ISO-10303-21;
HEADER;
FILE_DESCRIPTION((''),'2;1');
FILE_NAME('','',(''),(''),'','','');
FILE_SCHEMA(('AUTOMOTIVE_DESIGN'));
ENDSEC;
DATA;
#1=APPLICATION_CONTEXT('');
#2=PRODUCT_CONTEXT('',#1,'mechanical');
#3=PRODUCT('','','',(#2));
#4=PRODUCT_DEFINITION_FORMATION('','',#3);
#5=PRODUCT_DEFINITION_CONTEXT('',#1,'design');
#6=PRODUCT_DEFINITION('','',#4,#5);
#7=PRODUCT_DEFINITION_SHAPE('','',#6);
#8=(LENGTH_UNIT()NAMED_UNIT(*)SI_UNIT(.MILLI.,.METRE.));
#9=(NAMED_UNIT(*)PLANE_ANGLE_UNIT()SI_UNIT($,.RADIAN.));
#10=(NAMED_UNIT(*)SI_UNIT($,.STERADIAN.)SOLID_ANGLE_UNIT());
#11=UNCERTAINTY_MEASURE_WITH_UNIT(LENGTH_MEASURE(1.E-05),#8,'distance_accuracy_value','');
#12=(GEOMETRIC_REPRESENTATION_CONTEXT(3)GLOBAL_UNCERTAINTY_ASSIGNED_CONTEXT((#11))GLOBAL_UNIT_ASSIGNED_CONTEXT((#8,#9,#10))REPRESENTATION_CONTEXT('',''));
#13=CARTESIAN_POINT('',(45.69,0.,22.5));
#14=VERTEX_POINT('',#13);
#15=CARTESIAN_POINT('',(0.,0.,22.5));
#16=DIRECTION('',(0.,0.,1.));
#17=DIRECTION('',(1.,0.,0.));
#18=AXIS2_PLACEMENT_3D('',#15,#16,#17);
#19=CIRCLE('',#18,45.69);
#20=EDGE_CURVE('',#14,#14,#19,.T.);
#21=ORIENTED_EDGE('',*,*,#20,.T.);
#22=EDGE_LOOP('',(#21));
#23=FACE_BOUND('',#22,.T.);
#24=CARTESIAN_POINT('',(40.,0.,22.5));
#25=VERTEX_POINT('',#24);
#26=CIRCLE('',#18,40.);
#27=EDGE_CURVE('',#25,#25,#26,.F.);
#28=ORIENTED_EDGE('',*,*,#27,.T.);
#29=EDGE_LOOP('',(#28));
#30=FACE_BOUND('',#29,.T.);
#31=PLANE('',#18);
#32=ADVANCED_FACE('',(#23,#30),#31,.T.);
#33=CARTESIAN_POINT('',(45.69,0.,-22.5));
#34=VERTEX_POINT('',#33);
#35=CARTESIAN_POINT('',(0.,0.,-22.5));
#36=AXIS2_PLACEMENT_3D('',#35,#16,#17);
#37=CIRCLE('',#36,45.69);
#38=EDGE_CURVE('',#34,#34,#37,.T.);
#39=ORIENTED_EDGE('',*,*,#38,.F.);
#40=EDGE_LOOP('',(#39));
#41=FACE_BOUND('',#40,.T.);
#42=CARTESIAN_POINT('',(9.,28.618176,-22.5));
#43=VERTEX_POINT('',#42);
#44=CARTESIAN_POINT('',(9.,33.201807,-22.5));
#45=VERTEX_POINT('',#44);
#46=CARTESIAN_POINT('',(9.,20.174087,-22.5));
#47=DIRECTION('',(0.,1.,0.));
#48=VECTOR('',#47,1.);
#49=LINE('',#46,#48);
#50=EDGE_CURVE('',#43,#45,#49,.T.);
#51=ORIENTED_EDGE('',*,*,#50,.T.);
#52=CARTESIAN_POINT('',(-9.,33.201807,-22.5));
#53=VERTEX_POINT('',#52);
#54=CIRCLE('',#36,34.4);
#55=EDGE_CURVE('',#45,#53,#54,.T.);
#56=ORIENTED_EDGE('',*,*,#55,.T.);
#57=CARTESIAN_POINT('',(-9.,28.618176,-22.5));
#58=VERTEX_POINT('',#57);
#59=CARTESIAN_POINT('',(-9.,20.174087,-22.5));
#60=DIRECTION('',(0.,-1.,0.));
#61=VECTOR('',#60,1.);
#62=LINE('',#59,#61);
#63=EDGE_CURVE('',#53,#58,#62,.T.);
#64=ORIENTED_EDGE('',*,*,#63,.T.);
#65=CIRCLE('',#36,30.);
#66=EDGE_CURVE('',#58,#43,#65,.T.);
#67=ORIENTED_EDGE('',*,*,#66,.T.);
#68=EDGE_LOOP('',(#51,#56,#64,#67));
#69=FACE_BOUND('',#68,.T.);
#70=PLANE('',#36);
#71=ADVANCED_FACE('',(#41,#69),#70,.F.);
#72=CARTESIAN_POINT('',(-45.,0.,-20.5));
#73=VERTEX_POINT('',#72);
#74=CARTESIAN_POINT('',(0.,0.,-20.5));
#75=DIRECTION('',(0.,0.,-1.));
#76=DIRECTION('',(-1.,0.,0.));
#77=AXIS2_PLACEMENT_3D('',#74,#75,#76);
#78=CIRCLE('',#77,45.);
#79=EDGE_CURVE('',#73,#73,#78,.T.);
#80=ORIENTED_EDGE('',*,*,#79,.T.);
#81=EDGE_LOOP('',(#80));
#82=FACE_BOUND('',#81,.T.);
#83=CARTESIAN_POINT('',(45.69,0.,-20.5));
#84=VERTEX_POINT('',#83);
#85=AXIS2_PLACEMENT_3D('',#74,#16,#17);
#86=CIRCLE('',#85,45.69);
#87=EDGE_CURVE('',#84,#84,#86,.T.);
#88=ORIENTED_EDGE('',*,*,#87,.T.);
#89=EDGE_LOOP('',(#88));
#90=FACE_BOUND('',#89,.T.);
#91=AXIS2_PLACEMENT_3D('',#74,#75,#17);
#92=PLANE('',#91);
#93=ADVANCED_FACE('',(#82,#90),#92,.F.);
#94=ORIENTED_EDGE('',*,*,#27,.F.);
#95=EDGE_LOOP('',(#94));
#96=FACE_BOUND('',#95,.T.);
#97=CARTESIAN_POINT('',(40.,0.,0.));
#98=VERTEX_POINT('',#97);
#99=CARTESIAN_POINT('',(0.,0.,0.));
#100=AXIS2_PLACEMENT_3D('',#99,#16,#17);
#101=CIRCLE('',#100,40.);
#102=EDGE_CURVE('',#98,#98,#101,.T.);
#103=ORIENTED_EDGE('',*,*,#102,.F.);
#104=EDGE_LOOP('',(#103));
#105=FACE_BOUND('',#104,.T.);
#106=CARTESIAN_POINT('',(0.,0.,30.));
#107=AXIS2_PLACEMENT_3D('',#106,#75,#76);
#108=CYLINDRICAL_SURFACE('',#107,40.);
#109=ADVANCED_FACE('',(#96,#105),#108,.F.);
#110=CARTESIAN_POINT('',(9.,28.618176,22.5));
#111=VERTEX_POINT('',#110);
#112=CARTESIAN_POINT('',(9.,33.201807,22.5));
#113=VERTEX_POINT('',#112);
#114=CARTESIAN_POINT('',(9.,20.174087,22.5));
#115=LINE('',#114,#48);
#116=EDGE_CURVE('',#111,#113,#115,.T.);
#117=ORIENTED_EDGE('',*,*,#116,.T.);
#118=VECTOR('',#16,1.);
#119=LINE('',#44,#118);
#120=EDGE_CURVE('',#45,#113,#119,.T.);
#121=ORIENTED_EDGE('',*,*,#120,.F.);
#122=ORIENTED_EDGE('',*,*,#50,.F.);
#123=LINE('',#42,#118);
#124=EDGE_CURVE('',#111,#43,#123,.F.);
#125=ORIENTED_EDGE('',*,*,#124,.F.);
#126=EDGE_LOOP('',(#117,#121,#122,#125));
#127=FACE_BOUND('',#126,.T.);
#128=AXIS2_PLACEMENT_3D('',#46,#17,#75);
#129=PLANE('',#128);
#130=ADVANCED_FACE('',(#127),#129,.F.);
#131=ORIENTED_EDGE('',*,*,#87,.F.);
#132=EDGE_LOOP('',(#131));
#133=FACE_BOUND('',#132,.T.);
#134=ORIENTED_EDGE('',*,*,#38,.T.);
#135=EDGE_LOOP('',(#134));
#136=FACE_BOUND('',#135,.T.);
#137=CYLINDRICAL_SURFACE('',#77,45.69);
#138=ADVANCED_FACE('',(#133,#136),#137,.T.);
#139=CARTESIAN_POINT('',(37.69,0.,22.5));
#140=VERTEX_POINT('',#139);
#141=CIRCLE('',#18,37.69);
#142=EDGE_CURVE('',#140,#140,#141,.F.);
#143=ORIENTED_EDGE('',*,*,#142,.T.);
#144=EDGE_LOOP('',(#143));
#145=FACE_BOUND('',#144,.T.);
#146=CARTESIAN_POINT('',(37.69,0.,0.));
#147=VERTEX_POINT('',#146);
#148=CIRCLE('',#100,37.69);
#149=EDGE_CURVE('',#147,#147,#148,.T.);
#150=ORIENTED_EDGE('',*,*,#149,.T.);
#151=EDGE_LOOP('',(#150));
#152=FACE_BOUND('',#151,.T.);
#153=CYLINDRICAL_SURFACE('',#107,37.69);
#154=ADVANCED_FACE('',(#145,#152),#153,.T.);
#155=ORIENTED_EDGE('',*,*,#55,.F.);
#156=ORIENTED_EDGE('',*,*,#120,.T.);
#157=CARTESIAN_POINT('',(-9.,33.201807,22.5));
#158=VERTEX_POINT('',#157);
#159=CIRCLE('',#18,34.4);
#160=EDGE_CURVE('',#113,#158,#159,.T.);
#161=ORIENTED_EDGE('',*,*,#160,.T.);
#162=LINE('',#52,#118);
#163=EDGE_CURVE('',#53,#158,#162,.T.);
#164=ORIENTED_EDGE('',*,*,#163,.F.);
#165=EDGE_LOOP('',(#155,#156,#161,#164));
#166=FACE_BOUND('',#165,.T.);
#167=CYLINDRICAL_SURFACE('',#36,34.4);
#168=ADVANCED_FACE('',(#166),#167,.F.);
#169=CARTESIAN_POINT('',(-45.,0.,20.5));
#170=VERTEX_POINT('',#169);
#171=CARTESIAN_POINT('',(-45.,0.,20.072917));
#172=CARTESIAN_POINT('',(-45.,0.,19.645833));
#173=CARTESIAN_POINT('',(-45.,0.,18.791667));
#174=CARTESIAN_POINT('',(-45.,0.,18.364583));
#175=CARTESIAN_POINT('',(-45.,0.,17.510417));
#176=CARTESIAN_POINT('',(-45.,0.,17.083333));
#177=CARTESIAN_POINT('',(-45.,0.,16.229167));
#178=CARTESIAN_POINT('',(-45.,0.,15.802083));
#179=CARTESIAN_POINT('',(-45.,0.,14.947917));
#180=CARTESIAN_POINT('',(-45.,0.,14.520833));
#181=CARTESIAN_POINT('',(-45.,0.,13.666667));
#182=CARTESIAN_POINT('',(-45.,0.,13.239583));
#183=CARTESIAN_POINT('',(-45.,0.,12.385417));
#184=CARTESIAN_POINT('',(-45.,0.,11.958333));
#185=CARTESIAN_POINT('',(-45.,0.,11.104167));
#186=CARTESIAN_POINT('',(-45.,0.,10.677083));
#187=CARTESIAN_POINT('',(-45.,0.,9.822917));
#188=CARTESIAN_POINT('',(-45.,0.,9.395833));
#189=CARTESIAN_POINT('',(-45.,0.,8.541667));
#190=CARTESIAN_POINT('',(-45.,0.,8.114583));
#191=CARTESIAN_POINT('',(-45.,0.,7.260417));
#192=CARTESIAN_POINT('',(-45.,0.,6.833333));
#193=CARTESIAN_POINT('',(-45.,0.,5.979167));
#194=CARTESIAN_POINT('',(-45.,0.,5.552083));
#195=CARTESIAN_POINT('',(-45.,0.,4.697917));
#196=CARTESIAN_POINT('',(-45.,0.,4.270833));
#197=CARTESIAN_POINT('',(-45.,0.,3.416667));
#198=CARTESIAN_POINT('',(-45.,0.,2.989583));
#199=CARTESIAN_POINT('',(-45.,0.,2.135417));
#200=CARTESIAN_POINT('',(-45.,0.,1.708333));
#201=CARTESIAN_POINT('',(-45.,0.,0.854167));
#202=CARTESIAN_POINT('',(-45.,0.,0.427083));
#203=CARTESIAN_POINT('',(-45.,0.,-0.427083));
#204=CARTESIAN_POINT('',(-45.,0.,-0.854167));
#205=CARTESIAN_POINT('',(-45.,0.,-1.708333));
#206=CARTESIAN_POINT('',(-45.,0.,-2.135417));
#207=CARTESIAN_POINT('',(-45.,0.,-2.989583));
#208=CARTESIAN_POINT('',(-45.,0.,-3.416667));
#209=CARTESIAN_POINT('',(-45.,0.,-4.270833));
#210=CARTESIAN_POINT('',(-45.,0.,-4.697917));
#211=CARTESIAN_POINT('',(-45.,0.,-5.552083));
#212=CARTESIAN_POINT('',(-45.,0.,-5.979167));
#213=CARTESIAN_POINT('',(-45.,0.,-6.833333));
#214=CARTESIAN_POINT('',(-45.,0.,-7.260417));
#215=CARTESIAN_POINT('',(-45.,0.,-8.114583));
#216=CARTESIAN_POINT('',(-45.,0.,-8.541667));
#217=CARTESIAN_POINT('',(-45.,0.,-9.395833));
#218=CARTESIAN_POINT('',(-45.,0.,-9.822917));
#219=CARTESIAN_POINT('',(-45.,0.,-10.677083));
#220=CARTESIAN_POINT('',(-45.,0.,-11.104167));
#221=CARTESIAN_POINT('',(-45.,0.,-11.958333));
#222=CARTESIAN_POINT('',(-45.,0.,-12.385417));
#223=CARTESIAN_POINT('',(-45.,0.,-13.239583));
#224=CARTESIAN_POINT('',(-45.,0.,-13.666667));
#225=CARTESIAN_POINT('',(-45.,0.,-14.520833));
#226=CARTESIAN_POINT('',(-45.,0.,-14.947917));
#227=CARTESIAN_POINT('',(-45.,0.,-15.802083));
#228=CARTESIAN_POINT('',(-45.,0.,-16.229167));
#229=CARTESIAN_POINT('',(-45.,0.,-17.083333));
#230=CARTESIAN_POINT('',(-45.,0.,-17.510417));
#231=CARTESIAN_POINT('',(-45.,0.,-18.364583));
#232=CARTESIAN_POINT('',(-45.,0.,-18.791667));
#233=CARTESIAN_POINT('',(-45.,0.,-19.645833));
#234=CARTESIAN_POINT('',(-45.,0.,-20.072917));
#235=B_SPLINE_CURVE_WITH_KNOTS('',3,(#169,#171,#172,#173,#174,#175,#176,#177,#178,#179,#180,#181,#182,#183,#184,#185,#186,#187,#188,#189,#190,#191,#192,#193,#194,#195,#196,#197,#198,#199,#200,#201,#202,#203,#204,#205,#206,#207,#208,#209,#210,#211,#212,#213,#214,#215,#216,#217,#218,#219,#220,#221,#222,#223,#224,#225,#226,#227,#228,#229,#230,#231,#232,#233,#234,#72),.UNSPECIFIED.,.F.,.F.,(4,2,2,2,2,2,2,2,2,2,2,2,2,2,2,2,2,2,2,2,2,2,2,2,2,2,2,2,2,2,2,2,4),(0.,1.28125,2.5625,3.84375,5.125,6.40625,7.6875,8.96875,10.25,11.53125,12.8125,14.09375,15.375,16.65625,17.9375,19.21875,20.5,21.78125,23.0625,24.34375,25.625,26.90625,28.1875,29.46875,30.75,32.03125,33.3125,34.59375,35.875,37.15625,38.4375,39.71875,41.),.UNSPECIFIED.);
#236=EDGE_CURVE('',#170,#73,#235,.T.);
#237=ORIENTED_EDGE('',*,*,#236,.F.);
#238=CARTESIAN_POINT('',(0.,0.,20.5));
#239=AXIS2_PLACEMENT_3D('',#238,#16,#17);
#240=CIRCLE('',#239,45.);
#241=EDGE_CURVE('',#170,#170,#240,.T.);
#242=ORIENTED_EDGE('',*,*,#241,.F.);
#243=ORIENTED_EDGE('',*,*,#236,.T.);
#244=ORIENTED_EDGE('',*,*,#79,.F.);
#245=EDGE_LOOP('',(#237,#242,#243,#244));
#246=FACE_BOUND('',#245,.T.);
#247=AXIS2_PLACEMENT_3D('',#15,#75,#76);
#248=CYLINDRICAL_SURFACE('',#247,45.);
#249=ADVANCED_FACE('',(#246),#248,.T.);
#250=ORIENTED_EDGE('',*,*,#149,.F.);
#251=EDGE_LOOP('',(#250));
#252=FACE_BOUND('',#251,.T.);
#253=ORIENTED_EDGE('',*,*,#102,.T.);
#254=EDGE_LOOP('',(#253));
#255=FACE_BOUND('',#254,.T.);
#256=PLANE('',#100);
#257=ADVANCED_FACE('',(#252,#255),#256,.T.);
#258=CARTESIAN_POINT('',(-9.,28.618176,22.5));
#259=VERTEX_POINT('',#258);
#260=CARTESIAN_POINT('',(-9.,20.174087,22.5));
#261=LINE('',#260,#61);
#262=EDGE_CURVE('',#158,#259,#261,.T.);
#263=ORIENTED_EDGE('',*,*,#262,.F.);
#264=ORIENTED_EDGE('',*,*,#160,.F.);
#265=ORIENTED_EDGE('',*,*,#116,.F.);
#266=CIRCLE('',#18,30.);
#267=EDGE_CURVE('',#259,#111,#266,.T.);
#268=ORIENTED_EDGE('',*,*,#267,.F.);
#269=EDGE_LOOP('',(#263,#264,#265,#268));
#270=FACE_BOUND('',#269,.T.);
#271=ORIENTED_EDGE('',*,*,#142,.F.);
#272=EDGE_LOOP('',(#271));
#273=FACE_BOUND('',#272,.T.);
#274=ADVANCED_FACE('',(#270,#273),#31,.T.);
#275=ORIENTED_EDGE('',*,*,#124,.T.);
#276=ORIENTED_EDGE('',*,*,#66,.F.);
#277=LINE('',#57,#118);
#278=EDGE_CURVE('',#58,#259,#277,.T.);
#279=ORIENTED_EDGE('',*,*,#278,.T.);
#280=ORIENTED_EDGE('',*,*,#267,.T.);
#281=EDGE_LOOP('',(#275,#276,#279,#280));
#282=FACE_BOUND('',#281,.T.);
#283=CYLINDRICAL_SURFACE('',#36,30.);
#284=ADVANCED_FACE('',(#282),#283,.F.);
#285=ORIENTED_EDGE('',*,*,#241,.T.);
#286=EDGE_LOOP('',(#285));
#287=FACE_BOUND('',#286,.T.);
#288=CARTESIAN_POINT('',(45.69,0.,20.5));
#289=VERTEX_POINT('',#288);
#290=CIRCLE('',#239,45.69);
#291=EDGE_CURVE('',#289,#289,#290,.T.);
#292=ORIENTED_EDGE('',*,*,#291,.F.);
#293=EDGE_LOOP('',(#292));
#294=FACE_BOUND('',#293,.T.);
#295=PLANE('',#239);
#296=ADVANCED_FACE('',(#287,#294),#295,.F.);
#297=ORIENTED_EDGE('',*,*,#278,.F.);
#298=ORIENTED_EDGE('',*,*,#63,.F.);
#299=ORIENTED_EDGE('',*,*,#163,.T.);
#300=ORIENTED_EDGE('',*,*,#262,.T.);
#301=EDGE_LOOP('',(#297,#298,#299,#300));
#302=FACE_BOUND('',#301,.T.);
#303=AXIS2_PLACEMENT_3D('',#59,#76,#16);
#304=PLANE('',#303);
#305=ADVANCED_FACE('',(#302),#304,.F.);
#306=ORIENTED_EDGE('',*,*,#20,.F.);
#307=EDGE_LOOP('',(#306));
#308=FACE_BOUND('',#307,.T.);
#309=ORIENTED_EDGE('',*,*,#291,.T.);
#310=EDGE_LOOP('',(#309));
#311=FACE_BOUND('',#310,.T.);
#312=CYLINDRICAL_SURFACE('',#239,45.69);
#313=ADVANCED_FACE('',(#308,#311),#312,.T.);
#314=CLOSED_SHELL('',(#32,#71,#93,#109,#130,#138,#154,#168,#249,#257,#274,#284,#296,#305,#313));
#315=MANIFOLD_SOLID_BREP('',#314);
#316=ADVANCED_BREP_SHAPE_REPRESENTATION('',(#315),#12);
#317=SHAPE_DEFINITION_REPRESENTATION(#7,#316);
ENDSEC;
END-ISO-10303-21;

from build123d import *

# Parameters (mm, degrees)
SKETCH1_R               = 45
BOSS_EXTRUDE1_DEPTH     = 22.5
SKETCH2_R               = 45.69
BOSS_EXTRUDE2_DEPTH     = 2
SKETCH4_R               = 40
SKETCH4_R_2             = 37.69
CUT_EXTRUDE1_DEPTH      = 30
CUT_EXTRUDE2_DEPTH      = 79.741045205
CUT_EXTRUDE2_DEPTH_BACK = 79.741045205
SKETCH5_R               = 30
CUT_EXTRUDE3_DEPTH      = 79.741045205


with BuildPart() as part:
    # Sketch1 → Boss-Extrude1 (new, symmetric)
    with BuildSketch(Plane.XY):
        with Locations(Location((0, 0, 0), (0, 0, 180))):
            Circle(SKETCH1_R)
    extrude(amount=BOSS_EXTRUDE1_DEPTH, both=True)

    # Sketch2 → Boss-Extrude2 (add)
    with BuildSketch(Plane.XY.offset(22.5)):
        Circle(SKETCH2_R)
    boss_extrude2 = extrude(amount=-BOSS_EXTRUDE2_DEPTH)

    # Mirror1: Boss-Extrude2 across plane
    add(boss_extrude2.mirror(Plane.XY))

    # Sketch4 → Cut-Extrude1 (cut)
    with BuildSketch(Plane.XY):
        Circle(SKETCH4_R)
        Circle(SKETCH4_R_2, mode=Mode.SUBTRACT)
    extrude(amount=CUT_EXTRUDE1_DEPTH, mode=Mode.SUBTRACT)

    # Sketch5 → Cut-Extrude2 (cut, two sides: drawn at the far end of the back side and taken through both)
    with BuildSketch(Plane.XY.offset(22.5).offset(-CUT_EXTRUDE2_DEPTH_BACK)):
        Circle(SKETCH5_R)
    extrude(amount=CUT_EXTRUDE2_DEPTH + CUT_EXTRUDE2_DEPTH_BACK, mode=Mode.SUBTRACT)

    # Sketch6 → Cut-Extrude3 (cut, through all)
    with BuildSketch(Plane.XY.offset(22.5)):
        with BuildLine():
            Line((9, 20.17408731), (9, 33.20180718))
            ThreePointArc((9, 33.20180718), (0, 34.4), (-9, 33.20180718))
            Line((-9, 33.20180718), (-9, 20.17408731))
            Line((-9, 20.17408731), (9, 20.17408731))
        make_face()
    extrude(amount=-CUT_EXTRUDE3_DEPTH, mode=Mode.SUBTRACT)


solid = part.part
